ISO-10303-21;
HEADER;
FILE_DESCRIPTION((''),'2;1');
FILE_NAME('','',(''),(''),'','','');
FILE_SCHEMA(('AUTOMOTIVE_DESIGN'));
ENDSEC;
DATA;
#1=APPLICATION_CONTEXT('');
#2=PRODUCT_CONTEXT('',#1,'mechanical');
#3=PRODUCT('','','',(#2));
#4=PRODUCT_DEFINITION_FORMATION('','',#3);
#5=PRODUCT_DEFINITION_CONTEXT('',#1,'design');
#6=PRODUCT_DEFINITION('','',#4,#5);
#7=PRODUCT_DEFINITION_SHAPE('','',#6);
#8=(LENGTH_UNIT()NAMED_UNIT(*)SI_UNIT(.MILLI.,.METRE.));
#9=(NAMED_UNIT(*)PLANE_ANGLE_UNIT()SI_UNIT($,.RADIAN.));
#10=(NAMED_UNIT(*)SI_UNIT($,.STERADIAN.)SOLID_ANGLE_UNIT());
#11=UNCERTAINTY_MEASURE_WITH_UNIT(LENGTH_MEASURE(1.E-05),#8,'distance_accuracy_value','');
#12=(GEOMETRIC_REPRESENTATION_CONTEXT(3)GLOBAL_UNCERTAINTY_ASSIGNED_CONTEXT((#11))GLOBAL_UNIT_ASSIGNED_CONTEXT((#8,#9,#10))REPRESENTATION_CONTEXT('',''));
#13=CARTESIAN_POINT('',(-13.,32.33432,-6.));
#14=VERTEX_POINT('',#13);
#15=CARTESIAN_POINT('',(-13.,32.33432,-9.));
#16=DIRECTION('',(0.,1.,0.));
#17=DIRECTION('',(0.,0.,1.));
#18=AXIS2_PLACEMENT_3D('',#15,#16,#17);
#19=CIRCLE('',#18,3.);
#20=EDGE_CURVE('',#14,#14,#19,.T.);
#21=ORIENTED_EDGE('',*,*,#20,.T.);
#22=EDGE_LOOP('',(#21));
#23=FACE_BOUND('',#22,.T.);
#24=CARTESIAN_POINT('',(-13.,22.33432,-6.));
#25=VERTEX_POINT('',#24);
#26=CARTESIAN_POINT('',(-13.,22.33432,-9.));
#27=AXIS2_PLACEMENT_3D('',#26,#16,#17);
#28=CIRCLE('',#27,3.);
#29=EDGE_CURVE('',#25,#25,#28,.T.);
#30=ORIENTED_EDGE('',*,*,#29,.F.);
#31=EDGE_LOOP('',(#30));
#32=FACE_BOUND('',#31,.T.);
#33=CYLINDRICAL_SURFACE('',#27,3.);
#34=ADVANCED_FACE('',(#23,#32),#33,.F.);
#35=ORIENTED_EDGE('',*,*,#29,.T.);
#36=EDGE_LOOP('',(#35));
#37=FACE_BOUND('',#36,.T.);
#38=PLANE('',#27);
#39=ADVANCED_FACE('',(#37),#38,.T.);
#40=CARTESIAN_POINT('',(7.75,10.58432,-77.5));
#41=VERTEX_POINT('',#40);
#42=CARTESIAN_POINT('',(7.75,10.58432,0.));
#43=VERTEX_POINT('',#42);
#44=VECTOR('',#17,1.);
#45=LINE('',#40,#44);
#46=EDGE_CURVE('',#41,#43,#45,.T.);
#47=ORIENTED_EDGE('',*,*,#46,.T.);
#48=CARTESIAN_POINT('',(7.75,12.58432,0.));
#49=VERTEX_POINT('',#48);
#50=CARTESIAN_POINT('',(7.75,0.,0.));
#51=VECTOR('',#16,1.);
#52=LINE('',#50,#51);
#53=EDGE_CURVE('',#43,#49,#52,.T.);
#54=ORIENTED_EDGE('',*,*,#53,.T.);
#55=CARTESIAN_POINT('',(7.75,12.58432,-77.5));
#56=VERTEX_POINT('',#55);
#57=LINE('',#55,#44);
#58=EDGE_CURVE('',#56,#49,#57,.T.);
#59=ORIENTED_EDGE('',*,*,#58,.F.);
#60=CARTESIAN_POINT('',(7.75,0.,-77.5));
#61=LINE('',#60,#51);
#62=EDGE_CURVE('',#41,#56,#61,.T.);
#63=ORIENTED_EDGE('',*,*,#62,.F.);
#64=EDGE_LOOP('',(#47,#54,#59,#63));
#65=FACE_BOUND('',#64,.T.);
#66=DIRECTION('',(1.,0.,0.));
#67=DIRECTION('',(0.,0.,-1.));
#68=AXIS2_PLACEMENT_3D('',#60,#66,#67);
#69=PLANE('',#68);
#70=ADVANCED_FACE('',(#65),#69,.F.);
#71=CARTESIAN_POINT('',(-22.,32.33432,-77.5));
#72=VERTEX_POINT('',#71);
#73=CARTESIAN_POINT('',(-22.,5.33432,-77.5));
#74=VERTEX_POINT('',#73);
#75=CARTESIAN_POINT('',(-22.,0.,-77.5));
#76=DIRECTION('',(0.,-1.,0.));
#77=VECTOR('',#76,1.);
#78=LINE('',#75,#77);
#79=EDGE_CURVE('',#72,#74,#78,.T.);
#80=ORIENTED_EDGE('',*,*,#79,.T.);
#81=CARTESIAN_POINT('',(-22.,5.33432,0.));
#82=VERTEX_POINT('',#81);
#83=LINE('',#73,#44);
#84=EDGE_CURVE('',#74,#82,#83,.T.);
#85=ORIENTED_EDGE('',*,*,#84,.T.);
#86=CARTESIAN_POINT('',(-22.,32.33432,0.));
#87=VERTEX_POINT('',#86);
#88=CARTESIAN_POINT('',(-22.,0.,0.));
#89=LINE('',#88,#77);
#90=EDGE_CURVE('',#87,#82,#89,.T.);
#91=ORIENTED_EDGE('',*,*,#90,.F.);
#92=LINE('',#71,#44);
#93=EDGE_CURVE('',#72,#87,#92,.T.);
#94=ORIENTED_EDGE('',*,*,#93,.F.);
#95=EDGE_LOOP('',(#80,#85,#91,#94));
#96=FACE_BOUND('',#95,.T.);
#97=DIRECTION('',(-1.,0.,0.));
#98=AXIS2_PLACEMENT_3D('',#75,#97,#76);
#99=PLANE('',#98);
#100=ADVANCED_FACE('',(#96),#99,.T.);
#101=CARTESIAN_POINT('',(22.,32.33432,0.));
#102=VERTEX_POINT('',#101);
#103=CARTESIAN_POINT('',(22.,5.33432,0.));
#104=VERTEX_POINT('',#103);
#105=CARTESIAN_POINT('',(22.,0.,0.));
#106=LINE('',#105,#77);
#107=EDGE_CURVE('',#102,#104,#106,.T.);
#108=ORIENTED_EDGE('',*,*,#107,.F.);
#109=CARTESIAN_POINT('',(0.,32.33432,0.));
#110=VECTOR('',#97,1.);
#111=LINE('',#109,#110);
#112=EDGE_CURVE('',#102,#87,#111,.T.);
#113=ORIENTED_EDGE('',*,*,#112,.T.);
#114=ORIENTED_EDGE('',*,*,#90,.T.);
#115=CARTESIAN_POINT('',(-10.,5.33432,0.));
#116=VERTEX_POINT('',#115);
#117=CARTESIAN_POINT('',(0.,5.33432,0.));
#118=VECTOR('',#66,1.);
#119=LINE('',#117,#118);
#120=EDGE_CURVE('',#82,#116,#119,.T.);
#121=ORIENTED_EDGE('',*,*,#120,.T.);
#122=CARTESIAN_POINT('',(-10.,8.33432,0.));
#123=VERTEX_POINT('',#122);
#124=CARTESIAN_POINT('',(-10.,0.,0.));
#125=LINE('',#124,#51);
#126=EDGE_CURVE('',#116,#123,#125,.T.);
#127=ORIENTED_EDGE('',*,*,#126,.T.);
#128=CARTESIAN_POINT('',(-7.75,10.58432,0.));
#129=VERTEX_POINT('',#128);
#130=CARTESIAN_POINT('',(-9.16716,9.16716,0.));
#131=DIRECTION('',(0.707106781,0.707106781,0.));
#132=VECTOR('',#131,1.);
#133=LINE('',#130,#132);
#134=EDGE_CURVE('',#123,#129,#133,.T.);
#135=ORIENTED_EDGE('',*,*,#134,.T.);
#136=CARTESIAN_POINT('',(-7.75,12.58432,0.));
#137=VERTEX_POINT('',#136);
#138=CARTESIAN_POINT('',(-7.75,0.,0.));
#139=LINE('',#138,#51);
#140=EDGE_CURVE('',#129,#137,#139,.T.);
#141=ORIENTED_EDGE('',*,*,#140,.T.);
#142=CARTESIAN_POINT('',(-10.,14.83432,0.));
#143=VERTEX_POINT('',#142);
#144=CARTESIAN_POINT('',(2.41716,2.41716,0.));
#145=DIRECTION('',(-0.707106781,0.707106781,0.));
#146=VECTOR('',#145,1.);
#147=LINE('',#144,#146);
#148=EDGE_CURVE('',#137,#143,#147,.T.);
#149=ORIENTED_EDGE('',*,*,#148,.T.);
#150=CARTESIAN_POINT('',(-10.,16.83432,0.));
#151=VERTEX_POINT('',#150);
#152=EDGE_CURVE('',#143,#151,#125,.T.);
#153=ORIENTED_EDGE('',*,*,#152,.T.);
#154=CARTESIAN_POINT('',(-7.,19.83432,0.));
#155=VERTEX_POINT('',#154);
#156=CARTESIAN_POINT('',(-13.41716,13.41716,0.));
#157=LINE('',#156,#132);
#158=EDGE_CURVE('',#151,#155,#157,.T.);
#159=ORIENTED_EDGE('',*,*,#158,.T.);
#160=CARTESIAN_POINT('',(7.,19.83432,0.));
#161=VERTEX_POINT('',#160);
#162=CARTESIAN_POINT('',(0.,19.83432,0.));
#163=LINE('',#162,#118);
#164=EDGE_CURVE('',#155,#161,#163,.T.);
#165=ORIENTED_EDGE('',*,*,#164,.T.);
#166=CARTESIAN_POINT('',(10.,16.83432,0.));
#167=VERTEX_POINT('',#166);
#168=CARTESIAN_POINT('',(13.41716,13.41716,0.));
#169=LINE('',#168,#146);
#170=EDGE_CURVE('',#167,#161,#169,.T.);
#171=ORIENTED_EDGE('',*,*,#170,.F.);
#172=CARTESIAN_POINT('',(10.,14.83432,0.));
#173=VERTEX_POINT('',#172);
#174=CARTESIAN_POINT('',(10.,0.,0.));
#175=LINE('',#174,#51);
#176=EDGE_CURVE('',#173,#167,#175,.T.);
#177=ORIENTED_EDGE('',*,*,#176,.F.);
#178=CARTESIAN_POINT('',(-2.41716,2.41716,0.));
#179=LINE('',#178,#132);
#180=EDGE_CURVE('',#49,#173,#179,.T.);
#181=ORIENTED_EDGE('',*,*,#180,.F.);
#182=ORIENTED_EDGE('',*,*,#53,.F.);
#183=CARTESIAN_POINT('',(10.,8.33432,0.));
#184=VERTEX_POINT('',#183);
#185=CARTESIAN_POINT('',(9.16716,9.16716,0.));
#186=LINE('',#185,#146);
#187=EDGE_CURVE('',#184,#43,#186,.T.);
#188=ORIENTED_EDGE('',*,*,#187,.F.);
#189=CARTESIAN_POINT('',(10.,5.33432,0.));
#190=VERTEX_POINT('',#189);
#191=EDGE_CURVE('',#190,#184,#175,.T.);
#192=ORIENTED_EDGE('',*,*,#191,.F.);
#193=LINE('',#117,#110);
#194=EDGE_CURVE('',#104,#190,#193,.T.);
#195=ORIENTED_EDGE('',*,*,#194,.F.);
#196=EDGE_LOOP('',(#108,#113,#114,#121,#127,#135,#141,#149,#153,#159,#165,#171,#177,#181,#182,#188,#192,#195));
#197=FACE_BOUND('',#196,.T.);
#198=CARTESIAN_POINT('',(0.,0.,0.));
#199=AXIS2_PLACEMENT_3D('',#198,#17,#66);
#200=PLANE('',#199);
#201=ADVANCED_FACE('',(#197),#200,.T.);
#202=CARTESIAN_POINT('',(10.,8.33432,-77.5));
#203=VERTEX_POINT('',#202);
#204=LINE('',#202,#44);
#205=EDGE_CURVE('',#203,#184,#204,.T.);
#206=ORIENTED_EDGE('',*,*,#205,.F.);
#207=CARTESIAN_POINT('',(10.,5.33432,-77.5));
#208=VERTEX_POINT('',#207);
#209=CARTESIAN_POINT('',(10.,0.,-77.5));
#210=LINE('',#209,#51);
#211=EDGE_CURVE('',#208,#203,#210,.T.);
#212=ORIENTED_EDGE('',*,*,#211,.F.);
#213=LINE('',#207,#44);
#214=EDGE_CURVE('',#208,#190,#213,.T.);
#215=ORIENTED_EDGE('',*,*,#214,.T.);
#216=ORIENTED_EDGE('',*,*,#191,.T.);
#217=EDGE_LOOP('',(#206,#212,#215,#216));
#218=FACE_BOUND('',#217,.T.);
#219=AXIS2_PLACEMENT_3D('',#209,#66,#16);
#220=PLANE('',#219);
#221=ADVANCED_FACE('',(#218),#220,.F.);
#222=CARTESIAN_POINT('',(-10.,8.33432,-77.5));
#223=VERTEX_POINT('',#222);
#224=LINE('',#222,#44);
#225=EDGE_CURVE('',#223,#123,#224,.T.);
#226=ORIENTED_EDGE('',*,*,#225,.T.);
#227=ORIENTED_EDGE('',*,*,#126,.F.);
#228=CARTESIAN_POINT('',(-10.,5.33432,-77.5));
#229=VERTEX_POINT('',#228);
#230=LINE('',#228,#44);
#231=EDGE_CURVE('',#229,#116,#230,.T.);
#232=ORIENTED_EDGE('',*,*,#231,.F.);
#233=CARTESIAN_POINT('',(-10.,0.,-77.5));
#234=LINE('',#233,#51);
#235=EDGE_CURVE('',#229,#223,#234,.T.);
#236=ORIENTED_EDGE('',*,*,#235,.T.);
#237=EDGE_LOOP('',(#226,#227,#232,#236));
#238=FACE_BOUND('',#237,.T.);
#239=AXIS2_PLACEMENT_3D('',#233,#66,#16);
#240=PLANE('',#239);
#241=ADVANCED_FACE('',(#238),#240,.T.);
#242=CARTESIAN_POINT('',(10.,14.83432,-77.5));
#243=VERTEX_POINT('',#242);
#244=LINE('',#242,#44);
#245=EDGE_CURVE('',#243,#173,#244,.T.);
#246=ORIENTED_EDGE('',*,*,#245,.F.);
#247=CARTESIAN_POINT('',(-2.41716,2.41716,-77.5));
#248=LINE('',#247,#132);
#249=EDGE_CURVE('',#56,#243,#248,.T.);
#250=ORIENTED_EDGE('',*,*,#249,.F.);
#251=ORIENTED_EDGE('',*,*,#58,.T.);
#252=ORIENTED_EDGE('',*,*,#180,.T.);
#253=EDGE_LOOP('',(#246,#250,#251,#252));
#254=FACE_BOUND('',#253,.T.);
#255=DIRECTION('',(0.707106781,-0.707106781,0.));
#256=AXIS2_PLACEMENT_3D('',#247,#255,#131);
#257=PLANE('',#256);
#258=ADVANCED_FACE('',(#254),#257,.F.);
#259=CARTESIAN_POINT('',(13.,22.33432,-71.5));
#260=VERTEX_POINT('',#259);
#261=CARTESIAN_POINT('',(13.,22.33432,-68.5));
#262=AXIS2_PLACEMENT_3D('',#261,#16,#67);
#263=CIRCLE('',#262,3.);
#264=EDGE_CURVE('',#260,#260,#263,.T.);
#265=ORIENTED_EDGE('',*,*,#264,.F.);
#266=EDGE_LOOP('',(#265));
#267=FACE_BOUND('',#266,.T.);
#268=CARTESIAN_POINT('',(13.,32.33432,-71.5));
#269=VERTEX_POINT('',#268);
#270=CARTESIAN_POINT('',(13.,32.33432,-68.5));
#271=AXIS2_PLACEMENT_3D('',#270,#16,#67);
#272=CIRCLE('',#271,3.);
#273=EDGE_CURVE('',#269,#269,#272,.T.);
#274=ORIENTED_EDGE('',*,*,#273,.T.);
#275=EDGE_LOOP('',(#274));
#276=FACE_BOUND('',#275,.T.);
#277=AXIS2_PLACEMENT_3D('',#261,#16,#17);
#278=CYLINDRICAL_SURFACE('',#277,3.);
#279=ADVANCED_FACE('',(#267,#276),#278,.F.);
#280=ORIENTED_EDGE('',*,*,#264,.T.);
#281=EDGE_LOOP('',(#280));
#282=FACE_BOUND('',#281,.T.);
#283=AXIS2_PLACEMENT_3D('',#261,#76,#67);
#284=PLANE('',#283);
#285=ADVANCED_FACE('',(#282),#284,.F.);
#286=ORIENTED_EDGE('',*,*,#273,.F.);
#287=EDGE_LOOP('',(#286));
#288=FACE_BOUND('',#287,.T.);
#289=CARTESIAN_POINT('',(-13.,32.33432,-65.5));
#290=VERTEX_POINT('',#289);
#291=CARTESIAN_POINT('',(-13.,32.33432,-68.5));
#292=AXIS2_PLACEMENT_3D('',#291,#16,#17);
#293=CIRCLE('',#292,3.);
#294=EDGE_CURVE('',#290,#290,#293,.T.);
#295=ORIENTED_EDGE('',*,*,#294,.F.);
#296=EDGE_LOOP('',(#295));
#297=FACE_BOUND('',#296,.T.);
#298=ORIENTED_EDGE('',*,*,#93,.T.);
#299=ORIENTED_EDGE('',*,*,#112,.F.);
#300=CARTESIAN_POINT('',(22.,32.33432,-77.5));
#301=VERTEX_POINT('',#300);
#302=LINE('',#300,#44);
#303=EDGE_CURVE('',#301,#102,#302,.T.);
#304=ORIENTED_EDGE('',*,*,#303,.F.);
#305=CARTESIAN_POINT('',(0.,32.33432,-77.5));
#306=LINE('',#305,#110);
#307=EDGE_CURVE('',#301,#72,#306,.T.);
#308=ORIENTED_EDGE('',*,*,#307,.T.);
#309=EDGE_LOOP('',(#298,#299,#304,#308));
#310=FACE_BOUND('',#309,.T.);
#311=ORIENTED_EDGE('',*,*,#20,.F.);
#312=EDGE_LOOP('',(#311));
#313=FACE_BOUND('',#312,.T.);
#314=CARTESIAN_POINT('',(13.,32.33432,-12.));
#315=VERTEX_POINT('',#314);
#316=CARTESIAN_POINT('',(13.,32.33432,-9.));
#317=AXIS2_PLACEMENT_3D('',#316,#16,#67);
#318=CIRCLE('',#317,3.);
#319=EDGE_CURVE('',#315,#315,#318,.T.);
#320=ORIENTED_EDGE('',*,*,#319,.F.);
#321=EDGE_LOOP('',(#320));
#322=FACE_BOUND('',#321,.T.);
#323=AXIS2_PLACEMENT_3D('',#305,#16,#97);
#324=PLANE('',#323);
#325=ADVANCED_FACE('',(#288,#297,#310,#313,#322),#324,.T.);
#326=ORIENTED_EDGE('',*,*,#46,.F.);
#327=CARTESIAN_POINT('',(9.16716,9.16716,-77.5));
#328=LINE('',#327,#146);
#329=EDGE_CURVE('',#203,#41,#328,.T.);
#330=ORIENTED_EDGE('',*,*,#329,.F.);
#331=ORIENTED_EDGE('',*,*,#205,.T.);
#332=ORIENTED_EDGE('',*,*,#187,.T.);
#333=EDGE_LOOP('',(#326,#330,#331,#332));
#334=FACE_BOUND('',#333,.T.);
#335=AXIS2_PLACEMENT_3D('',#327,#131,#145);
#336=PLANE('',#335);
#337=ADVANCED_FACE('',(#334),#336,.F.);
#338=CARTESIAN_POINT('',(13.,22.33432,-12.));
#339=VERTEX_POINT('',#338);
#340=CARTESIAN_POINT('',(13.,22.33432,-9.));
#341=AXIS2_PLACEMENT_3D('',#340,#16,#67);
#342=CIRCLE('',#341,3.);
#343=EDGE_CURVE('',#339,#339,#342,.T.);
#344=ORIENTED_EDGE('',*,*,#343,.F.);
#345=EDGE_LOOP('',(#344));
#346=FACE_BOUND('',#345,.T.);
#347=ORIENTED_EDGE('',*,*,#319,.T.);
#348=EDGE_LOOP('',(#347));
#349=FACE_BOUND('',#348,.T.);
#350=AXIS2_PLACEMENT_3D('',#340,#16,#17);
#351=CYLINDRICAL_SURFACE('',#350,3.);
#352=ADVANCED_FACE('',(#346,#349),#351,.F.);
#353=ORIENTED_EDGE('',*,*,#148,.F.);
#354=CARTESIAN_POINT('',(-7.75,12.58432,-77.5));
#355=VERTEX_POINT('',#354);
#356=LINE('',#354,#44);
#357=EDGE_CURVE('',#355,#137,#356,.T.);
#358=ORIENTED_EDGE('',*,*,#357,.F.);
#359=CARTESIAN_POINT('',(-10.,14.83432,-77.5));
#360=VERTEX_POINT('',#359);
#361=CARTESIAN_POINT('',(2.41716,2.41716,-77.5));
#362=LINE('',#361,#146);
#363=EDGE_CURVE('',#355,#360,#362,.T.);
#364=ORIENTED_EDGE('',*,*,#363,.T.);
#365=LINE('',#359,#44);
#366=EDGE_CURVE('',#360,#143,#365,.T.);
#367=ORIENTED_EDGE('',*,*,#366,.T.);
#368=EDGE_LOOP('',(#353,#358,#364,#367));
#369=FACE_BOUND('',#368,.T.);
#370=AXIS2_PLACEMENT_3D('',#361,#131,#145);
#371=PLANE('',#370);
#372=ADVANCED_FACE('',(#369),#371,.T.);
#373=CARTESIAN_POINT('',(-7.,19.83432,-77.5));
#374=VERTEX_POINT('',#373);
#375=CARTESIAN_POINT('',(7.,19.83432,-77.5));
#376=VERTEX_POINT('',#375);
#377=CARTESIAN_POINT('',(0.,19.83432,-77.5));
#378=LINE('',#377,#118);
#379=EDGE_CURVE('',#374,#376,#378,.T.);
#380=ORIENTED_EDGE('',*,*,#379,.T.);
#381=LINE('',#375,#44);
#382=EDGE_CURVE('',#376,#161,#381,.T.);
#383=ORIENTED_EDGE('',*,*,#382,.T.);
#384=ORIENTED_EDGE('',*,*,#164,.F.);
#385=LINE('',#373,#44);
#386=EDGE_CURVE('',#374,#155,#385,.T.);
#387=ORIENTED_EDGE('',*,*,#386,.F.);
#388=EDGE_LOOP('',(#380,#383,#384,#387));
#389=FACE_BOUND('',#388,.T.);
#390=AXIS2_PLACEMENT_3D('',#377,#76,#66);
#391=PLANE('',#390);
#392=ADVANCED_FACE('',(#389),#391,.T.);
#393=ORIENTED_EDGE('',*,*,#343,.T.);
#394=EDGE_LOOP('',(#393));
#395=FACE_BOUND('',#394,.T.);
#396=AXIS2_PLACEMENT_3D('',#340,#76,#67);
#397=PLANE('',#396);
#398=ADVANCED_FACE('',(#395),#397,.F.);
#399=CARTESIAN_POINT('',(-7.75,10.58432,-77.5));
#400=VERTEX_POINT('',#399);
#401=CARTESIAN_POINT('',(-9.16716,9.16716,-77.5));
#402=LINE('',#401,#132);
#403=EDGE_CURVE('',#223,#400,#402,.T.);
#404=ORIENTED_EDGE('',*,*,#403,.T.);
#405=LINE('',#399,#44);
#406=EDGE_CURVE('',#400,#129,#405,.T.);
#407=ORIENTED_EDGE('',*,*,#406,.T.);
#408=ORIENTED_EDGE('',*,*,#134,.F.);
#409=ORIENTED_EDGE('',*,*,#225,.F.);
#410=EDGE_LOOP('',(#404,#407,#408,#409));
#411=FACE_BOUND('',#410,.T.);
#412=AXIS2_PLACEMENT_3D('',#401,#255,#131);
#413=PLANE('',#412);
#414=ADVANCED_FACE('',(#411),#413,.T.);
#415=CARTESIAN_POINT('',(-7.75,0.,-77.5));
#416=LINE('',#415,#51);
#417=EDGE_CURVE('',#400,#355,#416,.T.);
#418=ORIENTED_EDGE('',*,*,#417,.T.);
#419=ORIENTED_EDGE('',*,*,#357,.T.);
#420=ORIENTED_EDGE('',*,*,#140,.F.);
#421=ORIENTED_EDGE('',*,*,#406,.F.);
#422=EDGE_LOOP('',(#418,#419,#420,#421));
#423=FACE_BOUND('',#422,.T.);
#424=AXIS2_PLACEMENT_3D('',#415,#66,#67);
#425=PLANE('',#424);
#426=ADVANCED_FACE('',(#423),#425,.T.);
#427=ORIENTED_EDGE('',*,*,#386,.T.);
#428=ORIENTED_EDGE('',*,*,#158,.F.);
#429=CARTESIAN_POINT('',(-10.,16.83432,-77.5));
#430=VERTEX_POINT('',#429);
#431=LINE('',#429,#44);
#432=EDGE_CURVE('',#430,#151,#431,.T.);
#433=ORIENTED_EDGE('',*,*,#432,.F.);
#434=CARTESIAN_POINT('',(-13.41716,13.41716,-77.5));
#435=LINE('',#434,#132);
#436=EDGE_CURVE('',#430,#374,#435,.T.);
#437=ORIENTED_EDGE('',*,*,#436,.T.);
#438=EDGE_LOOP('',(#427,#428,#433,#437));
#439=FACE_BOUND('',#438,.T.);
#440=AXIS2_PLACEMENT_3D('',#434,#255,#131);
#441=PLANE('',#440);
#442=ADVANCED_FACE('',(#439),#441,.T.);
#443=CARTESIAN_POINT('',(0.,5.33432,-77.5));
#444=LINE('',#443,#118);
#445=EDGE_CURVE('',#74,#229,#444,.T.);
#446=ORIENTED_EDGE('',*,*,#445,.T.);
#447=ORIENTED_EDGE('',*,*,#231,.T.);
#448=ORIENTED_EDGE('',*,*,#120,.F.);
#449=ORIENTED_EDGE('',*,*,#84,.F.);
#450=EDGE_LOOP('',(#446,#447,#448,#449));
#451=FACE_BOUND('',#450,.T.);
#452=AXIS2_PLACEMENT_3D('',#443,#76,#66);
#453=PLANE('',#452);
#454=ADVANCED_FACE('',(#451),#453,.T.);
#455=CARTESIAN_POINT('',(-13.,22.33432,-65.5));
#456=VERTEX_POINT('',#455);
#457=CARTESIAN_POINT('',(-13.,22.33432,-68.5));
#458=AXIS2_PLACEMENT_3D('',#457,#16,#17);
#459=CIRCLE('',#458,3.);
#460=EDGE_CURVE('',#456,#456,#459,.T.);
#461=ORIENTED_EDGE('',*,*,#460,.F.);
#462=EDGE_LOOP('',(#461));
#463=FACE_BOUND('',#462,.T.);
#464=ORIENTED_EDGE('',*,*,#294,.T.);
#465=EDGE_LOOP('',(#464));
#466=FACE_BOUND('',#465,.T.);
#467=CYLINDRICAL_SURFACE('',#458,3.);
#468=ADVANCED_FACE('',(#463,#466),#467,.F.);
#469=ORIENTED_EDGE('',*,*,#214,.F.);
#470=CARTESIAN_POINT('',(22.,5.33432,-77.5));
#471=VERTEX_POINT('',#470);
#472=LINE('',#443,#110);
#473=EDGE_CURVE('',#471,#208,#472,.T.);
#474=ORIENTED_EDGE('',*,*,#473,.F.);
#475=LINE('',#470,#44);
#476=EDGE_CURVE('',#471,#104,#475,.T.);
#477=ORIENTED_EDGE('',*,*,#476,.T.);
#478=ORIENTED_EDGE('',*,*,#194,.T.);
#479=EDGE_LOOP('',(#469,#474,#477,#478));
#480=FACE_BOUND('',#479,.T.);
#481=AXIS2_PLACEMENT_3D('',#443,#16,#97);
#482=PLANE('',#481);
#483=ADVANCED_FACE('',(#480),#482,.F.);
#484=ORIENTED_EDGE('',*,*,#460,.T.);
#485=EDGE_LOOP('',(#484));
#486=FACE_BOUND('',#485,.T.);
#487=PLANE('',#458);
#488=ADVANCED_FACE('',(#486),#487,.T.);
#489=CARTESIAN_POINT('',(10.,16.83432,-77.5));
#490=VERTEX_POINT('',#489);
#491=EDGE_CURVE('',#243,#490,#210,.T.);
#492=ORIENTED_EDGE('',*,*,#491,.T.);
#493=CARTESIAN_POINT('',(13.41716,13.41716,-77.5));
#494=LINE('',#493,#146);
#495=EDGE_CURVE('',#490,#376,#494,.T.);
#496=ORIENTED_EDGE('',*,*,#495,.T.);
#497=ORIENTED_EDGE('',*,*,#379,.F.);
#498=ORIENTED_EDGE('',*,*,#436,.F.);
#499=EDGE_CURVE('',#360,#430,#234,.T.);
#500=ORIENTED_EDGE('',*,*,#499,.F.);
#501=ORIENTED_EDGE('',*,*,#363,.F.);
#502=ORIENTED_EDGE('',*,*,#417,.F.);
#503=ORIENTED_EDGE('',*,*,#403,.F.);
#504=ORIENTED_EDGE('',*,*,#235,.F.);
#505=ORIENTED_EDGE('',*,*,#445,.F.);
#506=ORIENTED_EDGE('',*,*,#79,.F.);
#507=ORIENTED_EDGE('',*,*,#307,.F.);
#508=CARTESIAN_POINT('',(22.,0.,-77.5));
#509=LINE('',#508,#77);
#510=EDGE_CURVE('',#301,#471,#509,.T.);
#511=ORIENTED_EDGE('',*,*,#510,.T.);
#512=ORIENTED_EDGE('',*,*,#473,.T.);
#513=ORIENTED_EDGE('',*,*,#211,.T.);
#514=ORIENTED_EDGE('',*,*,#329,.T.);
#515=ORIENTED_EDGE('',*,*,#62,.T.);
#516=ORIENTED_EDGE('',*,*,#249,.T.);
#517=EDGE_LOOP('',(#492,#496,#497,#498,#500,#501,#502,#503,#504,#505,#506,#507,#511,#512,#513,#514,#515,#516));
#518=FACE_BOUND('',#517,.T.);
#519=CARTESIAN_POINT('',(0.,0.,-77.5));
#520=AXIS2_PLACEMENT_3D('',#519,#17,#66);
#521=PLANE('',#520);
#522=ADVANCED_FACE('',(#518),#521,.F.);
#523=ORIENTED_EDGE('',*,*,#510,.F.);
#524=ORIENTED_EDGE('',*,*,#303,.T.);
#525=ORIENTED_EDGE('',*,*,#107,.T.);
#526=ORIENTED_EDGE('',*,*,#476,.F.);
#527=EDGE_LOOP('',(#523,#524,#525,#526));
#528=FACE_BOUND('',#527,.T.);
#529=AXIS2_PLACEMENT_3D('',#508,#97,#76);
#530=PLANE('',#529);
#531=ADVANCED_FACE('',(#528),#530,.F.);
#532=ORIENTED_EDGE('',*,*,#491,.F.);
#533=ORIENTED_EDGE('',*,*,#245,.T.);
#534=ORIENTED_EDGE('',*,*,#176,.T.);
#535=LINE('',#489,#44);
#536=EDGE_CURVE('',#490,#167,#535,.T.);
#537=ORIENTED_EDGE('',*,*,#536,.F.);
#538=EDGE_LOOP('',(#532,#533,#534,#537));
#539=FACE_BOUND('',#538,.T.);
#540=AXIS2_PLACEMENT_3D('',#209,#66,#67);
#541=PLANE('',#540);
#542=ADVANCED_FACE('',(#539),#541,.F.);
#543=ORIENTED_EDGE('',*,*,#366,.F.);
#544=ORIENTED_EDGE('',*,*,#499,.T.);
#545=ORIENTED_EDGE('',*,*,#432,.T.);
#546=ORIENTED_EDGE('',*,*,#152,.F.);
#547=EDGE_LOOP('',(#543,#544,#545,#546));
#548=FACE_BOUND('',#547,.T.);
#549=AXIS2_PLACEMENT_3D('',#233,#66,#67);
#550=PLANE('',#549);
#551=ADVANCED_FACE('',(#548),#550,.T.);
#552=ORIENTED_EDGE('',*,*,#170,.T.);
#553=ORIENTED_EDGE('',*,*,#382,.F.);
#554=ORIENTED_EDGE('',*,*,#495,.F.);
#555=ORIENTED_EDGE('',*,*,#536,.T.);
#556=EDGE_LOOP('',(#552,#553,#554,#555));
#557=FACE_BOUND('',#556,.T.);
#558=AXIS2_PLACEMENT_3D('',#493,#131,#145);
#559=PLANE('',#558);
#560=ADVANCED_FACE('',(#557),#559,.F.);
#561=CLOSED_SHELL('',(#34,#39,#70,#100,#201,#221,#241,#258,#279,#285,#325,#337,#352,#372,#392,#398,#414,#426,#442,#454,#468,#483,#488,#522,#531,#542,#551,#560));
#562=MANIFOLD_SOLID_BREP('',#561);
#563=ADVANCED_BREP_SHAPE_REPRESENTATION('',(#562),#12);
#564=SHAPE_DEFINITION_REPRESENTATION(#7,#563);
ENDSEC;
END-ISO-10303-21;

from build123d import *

# Parameters (mm, degrees)
BOSS_EXTRUDE1_DEPTH = 77.5
SKETCH2_R           = 3
CUT_EXTRUDE1_DEPTH  = 10


with BuildPart() as part:
    # Sketch1 → Boss-Extrude1 (new body)
    with BuildSketch(Plane.XY):
        Polygon((0, 32.334319527), (0, 19.834319527), (7, 19.834319527), (10, 16.834319527), (10, 14.834319527), (7.75, 12.584319527), (7.75, 10.584319527), (10, 8.334319527), (10, 5.334319527), (22, 5.334319527), (22, 32.334319527), align=None)
        Polygon((-7, 19.834319527), (0, 19.834319527), (0, 32.334319527), (-22, 32.334319527), (-22, 5.334319527), (-10, 5.334319527), (-10, 8.334319527), (-7.75, 10.584319527), (-7.75, 12.584319527), (-10, 14.834319527), (-10, 16.834319527), align=None)
    extrude(amount=-BOSS_EXTRUDE1_DEPTH)

    # Sketch2 → Cut-Extrude1 (cut)
    with BuildSketch(Plane(origin=(0, 32.334319527, 0), x_dir=(1, 0, 0), z_dir=(0, 1, 0))):
        with Locations(Location((-13, 9, 0), (0, 0, 270))):
            Circle(SKETCH2_R)
        with Locations(Location((-13, 68.5, 0), (0, 0, 270))):
            Circle(SKETCH2_R)
        with Locations(Location((13, 68.5, 0), (0, 0, 90))):
            Circle(SKETCH2_R)
        with Locations(Location((13, 9, 0), (0, 0, 90))):
            Circle(SKETCH2_R)
    extrude(amount=-CUT_EXTRUDE1_DEPTH, mode=Mode.SUBTRACT)


solid = part.part
